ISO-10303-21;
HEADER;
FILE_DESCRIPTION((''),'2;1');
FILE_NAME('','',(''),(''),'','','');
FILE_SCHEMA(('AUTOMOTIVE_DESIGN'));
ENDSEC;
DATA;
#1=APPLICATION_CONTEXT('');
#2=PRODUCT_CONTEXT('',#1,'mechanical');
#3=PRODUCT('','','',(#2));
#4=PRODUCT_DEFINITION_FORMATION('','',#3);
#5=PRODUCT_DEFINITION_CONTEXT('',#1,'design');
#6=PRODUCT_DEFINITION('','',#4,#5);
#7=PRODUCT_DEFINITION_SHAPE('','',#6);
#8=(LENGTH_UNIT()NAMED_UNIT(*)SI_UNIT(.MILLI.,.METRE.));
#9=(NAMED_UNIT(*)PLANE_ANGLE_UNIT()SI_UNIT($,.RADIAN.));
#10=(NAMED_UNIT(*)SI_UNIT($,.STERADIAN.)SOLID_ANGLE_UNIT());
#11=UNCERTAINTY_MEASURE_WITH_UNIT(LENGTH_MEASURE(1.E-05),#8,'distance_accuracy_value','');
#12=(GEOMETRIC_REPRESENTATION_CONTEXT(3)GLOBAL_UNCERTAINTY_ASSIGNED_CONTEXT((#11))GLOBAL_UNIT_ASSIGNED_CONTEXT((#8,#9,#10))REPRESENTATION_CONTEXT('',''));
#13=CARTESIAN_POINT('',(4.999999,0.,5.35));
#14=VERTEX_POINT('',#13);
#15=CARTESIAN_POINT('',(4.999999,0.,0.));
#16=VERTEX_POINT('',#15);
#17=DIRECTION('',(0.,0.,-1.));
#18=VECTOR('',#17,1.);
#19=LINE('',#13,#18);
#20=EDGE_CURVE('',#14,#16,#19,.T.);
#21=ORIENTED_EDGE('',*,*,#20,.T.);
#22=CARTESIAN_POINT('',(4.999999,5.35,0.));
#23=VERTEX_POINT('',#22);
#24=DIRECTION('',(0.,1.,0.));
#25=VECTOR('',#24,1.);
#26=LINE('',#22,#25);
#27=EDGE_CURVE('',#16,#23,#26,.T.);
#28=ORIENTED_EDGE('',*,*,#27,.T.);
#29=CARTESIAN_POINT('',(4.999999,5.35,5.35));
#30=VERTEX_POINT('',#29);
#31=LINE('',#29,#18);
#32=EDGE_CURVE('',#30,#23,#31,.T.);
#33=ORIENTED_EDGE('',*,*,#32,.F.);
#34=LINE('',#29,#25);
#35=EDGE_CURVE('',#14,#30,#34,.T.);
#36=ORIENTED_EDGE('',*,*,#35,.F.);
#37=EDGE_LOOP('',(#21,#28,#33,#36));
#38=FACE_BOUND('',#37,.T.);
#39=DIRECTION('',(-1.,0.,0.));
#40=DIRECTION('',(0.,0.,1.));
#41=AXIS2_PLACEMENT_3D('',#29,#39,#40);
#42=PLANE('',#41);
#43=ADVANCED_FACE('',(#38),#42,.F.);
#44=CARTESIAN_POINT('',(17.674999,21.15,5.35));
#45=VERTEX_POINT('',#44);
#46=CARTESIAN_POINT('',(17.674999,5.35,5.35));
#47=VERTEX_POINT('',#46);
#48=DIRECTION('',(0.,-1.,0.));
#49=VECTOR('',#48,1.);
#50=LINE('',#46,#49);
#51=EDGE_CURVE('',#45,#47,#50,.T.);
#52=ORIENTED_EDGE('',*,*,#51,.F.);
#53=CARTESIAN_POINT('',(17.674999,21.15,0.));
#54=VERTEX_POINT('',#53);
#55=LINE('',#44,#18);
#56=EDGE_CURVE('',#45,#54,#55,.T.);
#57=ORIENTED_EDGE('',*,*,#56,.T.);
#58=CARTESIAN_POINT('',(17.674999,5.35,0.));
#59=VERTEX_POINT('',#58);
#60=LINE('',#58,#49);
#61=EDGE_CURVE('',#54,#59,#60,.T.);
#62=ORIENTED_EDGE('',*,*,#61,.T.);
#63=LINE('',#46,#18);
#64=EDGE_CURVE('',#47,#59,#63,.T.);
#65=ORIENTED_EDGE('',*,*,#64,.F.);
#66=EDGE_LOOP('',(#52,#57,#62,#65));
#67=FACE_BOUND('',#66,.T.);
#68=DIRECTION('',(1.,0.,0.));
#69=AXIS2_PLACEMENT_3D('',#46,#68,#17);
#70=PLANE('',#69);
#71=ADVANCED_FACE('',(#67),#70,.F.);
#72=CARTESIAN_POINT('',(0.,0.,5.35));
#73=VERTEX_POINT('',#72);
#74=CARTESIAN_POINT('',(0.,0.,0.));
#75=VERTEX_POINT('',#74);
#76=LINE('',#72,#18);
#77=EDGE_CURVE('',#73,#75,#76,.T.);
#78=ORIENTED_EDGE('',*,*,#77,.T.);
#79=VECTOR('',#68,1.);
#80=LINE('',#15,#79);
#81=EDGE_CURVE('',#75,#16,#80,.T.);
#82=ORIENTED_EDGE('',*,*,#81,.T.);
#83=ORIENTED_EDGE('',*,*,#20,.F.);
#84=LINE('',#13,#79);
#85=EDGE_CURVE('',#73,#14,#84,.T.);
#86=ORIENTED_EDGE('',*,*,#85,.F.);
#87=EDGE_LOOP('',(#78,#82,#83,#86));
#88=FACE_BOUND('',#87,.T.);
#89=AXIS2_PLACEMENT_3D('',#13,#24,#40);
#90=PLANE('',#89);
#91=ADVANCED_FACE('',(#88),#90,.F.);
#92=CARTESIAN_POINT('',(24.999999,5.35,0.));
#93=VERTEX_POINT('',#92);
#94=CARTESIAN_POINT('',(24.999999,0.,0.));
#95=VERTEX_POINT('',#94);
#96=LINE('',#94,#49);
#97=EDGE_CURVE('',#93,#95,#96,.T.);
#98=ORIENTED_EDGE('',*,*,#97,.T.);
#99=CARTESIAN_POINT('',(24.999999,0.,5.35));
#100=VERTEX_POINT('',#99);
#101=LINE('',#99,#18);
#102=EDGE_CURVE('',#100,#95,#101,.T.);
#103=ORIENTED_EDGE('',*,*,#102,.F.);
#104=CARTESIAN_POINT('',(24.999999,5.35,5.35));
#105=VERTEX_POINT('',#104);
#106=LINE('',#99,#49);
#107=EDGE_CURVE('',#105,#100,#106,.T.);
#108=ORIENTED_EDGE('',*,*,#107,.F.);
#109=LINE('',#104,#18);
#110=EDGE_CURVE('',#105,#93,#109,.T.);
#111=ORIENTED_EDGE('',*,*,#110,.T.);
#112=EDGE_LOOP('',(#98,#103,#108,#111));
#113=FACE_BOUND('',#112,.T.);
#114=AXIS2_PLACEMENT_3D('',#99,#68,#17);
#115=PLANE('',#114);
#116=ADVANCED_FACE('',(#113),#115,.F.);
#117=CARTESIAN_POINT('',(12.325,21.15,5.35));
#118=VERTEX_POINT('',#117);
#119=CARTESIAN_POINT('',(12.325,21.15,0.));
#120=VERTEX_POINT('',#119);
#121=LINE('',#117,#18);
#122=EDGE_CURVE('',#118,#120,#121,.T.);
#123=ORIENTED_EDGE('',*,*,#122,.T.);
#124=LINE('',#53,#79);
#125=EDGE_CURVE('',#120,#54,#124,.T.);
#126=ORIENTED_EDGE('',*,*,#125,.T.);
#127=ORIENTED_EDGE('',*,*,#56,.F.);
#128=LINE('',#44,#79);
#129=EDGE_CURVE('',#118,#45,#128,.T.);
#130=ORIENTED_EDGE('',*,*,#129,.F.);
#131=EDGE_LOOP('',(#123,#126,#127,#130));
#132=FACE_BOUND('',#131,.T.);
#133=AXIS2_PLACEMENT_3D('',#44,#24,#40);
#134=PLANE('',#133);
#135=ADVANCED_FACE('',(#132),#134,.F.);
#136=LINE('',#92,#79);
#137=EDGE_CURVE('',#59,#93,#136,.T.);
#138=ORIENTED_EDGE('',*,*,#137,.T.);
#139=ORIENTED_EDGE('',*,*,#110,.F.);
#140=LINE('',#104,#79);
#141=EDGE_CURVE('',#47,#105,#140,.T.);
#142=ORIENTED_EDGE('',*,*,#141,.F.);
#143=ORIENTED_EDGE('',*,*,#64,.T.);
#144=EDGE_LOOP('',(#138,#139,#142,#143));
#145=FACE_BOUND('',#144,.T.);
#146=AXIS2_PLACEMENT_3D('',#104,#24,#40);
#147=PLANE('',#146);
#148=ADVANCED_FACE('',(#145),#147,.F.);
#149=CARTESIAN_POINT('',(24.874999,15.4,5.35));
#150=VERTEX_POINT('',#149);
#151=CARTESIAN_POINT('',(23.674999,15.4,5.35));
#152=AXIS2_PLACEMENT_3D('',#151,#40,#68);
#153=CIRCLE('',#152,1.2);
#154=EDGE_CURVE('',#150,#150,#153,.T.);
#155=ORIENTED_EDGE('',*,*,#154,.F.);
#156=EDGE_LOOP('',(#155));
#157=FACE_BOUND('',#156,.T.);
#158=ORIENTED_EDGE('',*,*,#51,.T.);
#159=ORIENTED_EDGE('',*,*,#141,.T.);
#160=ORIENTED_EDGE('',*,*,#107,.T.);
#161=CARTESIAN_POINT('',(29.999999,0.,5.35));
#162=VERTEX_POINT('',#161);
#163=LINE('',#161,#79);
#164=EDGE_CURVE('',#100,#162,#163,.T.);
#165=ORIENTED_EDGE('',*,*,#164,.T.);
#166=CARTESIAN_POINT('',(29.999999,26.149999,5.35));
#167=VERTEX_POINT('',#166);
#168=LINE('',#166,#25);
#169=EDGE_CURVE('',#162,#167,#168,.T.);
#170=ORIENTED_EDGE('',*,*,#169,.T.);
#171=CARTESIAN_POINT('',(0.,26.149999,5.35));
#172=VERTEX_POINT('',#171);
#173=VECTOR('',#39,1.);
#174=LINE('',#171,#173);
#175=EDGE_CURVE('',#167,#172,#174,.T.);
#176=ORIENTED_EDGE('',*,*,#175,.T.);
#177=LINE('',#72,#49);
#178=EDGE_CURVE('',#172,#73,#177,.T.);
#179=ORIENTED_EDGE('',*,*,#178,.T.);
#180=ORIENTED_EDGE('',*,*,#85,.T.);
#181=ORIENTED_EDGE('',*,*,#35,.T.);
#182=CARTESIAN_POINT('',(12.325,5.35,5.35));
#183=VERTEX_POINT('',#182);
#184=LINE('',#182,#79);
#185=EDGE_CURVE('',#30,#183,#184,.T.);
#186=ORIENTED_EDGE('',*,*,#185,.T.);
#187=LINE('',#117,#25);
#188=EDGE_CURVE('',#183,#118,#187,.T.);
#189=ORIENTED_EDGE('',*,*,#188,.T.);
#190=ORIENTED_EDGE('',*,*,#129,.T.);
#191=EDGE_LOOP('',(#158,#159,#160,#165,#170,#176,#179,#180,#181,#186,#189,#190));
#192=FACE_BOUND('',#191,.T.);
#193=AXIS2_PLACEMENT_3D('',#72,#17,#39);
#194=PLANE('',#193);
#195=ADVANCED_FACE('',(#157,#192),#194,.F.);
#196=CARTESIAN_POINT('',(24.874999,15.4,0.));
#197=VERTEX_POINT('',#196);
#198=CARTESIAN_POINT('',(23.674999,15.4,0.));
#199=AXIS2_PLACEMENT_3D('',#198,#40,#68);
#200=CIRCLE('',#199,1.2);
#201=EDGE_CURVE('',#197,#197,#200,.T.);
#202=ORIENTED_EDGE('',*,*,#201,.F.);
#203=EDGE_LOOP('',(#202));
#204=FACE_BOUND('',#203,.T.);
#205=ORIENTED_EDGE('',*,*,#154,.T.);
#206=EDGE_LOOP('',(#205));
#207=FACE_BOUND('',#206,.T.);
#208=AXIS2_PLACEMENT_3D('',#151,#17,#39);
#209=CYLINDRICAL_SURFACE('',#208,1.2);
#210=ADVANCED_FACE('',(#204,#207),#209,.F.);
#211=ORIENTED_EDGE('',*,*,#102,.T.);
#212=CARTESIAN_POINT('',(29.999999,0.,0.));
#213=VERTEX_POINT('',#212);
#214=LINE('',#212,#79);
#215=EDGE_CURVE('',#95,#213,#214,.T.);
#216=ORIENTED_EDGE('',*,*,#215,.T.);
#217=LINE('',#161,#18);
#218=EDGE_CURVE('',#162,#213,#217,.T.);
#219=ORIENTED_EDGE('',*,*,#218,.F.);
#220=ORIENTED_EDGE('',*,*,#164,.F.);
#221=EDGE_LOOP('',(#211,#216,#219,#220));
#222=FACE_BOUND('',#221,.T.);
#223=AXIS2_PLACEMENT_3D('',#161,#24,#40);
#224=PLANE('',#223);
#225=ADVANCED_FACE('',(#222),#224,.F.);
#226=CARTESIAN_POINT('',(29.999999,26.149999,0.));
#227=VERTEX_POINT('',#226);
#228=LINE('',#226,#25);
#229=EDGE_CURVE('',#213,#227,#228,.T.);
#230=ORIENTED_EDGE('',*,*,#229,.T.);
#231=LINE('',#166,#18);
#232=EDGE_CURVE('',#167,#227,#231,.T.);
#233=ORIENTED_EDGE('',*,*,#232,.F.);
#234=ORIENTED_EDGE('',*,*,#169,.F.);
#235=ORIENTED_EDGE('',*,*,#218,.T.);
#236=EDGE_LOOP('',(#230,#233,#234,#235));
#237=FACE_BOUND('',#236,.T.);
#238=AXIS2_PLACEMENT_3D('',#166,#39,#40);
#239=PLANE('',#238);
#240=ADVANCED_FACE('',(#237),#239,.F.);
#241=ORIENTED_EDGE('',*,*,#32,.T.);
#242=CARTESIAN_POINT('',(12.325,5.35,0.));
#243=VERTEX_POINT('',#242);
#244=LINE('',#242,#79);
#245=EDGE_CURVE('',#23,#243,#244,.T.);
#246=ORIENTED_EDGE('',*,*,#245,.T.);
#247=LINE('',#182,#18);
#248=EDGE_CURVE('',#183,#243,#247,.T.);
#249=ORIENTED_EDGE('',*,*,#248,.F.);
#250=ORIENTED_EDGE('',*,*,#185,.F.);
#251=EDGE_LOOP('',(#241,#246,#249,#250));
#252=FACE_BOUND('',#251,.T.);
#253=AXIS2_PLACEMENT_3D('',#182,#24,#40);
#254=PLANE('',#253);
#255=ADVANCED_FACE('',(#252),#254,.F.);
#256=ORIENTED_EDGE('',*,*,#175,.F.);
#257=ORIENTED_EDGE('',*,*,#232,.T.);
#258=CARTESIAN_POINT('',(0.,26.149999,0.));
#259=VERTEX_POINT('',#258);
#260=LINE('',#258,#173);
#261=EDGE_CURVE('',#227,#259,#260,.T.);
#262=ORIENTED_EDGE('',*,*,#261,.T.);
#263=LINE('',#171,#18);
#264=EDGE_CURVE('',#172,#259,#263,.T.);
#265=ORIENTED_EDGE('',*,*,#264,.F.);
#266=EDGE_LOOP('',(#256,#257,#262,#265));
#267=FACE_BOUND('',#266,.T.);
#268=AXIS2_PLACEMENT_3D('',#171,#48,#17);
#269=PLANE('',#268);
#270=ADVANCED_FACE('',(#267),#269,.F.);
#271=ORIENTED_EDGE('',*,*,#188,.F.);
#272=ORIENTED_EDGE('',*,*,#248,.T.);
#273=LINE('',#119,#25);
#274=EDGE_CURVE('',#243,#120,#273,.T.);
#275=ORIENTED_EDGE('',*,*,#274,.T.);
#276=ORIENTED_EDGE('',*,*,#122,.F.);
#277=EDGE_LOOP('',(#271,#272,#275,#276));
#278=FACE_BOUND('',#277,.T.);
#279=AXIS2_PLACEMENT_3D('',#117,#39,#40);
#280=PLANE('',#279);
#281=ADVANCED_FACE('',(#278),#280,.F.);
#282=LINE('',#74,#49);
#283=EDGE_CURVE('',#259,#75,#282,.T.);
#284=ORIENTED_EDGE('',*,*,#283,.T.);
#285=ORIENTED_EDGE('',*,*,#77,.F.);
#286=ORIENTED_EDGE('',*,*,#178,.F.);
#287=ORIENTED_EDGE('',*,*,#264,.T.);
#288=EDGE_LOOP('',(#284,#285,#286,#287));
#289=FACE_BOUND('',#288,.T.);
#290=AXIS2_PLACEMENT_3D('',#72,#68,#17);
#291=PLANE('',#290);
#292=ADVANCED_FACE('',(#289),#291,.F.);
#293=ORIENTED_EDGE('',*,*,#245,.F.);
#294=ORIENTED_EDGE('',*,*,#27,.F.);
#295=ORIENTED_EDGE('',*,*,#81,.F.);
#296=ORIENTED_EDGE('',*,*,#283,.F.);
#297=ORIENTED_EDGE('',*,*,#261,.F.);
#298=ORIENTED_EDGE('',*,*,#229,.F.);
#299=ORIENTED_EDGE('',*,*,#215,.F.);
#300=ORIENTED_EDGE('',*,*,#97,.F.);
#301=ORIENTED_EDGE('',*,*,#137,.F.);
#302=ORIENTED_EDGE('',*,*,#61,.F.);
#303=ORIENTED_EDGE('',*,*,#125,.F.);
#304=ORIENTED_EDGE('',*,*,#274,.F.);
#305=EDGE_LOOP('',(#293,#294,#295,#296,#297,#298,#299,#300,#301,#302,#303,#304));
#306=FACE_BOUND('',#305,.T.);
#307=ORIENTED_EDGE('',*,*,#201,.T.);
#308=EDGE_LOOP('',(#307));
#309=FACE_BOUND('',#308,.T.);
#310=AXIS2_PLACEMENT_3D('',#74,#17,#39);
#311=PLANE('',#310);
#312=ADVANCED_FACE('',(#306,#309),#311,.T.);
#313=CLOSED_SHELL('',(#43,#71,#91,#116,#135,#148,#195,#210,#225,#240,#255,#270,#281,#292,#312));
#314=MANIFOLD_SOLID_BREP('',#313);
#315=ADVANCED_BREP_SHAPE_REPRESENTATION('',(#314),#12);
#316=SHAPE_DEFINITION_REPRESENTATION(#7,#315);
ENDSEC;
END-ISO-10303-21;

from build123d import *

# Parameters (mm, degrees)
MODEL_R             = 1.2
BOSS_EXTRUDE1_DEPTH = 5.35


with BuildPart() as part:
    # Model → Boss-Extrude1 (new body)
    with BuildSketch(Plane.XY):
        Polygon((29.999999329, 26.14999935), (29.999999329, 0), (24.999999441, 0), (24.999999441, 5.350000225), (17.674999312, 5.350000225), (17.674999312, 21.150000393), (12.325000018, 21.150000393), (12.325000018, 5.350000225), (4.999998957, 5.350000225), (4.999998957, 0), (0, 0), (0, 26.14999935), align=None)
        with Locations((23.674999329, 15.4)):
            Circle(MODEL_R, mode=Mode.SUBTRACT)
    extrude(amount=BOSS_EXTRUDE1_DEPTH)


solid = part.part
